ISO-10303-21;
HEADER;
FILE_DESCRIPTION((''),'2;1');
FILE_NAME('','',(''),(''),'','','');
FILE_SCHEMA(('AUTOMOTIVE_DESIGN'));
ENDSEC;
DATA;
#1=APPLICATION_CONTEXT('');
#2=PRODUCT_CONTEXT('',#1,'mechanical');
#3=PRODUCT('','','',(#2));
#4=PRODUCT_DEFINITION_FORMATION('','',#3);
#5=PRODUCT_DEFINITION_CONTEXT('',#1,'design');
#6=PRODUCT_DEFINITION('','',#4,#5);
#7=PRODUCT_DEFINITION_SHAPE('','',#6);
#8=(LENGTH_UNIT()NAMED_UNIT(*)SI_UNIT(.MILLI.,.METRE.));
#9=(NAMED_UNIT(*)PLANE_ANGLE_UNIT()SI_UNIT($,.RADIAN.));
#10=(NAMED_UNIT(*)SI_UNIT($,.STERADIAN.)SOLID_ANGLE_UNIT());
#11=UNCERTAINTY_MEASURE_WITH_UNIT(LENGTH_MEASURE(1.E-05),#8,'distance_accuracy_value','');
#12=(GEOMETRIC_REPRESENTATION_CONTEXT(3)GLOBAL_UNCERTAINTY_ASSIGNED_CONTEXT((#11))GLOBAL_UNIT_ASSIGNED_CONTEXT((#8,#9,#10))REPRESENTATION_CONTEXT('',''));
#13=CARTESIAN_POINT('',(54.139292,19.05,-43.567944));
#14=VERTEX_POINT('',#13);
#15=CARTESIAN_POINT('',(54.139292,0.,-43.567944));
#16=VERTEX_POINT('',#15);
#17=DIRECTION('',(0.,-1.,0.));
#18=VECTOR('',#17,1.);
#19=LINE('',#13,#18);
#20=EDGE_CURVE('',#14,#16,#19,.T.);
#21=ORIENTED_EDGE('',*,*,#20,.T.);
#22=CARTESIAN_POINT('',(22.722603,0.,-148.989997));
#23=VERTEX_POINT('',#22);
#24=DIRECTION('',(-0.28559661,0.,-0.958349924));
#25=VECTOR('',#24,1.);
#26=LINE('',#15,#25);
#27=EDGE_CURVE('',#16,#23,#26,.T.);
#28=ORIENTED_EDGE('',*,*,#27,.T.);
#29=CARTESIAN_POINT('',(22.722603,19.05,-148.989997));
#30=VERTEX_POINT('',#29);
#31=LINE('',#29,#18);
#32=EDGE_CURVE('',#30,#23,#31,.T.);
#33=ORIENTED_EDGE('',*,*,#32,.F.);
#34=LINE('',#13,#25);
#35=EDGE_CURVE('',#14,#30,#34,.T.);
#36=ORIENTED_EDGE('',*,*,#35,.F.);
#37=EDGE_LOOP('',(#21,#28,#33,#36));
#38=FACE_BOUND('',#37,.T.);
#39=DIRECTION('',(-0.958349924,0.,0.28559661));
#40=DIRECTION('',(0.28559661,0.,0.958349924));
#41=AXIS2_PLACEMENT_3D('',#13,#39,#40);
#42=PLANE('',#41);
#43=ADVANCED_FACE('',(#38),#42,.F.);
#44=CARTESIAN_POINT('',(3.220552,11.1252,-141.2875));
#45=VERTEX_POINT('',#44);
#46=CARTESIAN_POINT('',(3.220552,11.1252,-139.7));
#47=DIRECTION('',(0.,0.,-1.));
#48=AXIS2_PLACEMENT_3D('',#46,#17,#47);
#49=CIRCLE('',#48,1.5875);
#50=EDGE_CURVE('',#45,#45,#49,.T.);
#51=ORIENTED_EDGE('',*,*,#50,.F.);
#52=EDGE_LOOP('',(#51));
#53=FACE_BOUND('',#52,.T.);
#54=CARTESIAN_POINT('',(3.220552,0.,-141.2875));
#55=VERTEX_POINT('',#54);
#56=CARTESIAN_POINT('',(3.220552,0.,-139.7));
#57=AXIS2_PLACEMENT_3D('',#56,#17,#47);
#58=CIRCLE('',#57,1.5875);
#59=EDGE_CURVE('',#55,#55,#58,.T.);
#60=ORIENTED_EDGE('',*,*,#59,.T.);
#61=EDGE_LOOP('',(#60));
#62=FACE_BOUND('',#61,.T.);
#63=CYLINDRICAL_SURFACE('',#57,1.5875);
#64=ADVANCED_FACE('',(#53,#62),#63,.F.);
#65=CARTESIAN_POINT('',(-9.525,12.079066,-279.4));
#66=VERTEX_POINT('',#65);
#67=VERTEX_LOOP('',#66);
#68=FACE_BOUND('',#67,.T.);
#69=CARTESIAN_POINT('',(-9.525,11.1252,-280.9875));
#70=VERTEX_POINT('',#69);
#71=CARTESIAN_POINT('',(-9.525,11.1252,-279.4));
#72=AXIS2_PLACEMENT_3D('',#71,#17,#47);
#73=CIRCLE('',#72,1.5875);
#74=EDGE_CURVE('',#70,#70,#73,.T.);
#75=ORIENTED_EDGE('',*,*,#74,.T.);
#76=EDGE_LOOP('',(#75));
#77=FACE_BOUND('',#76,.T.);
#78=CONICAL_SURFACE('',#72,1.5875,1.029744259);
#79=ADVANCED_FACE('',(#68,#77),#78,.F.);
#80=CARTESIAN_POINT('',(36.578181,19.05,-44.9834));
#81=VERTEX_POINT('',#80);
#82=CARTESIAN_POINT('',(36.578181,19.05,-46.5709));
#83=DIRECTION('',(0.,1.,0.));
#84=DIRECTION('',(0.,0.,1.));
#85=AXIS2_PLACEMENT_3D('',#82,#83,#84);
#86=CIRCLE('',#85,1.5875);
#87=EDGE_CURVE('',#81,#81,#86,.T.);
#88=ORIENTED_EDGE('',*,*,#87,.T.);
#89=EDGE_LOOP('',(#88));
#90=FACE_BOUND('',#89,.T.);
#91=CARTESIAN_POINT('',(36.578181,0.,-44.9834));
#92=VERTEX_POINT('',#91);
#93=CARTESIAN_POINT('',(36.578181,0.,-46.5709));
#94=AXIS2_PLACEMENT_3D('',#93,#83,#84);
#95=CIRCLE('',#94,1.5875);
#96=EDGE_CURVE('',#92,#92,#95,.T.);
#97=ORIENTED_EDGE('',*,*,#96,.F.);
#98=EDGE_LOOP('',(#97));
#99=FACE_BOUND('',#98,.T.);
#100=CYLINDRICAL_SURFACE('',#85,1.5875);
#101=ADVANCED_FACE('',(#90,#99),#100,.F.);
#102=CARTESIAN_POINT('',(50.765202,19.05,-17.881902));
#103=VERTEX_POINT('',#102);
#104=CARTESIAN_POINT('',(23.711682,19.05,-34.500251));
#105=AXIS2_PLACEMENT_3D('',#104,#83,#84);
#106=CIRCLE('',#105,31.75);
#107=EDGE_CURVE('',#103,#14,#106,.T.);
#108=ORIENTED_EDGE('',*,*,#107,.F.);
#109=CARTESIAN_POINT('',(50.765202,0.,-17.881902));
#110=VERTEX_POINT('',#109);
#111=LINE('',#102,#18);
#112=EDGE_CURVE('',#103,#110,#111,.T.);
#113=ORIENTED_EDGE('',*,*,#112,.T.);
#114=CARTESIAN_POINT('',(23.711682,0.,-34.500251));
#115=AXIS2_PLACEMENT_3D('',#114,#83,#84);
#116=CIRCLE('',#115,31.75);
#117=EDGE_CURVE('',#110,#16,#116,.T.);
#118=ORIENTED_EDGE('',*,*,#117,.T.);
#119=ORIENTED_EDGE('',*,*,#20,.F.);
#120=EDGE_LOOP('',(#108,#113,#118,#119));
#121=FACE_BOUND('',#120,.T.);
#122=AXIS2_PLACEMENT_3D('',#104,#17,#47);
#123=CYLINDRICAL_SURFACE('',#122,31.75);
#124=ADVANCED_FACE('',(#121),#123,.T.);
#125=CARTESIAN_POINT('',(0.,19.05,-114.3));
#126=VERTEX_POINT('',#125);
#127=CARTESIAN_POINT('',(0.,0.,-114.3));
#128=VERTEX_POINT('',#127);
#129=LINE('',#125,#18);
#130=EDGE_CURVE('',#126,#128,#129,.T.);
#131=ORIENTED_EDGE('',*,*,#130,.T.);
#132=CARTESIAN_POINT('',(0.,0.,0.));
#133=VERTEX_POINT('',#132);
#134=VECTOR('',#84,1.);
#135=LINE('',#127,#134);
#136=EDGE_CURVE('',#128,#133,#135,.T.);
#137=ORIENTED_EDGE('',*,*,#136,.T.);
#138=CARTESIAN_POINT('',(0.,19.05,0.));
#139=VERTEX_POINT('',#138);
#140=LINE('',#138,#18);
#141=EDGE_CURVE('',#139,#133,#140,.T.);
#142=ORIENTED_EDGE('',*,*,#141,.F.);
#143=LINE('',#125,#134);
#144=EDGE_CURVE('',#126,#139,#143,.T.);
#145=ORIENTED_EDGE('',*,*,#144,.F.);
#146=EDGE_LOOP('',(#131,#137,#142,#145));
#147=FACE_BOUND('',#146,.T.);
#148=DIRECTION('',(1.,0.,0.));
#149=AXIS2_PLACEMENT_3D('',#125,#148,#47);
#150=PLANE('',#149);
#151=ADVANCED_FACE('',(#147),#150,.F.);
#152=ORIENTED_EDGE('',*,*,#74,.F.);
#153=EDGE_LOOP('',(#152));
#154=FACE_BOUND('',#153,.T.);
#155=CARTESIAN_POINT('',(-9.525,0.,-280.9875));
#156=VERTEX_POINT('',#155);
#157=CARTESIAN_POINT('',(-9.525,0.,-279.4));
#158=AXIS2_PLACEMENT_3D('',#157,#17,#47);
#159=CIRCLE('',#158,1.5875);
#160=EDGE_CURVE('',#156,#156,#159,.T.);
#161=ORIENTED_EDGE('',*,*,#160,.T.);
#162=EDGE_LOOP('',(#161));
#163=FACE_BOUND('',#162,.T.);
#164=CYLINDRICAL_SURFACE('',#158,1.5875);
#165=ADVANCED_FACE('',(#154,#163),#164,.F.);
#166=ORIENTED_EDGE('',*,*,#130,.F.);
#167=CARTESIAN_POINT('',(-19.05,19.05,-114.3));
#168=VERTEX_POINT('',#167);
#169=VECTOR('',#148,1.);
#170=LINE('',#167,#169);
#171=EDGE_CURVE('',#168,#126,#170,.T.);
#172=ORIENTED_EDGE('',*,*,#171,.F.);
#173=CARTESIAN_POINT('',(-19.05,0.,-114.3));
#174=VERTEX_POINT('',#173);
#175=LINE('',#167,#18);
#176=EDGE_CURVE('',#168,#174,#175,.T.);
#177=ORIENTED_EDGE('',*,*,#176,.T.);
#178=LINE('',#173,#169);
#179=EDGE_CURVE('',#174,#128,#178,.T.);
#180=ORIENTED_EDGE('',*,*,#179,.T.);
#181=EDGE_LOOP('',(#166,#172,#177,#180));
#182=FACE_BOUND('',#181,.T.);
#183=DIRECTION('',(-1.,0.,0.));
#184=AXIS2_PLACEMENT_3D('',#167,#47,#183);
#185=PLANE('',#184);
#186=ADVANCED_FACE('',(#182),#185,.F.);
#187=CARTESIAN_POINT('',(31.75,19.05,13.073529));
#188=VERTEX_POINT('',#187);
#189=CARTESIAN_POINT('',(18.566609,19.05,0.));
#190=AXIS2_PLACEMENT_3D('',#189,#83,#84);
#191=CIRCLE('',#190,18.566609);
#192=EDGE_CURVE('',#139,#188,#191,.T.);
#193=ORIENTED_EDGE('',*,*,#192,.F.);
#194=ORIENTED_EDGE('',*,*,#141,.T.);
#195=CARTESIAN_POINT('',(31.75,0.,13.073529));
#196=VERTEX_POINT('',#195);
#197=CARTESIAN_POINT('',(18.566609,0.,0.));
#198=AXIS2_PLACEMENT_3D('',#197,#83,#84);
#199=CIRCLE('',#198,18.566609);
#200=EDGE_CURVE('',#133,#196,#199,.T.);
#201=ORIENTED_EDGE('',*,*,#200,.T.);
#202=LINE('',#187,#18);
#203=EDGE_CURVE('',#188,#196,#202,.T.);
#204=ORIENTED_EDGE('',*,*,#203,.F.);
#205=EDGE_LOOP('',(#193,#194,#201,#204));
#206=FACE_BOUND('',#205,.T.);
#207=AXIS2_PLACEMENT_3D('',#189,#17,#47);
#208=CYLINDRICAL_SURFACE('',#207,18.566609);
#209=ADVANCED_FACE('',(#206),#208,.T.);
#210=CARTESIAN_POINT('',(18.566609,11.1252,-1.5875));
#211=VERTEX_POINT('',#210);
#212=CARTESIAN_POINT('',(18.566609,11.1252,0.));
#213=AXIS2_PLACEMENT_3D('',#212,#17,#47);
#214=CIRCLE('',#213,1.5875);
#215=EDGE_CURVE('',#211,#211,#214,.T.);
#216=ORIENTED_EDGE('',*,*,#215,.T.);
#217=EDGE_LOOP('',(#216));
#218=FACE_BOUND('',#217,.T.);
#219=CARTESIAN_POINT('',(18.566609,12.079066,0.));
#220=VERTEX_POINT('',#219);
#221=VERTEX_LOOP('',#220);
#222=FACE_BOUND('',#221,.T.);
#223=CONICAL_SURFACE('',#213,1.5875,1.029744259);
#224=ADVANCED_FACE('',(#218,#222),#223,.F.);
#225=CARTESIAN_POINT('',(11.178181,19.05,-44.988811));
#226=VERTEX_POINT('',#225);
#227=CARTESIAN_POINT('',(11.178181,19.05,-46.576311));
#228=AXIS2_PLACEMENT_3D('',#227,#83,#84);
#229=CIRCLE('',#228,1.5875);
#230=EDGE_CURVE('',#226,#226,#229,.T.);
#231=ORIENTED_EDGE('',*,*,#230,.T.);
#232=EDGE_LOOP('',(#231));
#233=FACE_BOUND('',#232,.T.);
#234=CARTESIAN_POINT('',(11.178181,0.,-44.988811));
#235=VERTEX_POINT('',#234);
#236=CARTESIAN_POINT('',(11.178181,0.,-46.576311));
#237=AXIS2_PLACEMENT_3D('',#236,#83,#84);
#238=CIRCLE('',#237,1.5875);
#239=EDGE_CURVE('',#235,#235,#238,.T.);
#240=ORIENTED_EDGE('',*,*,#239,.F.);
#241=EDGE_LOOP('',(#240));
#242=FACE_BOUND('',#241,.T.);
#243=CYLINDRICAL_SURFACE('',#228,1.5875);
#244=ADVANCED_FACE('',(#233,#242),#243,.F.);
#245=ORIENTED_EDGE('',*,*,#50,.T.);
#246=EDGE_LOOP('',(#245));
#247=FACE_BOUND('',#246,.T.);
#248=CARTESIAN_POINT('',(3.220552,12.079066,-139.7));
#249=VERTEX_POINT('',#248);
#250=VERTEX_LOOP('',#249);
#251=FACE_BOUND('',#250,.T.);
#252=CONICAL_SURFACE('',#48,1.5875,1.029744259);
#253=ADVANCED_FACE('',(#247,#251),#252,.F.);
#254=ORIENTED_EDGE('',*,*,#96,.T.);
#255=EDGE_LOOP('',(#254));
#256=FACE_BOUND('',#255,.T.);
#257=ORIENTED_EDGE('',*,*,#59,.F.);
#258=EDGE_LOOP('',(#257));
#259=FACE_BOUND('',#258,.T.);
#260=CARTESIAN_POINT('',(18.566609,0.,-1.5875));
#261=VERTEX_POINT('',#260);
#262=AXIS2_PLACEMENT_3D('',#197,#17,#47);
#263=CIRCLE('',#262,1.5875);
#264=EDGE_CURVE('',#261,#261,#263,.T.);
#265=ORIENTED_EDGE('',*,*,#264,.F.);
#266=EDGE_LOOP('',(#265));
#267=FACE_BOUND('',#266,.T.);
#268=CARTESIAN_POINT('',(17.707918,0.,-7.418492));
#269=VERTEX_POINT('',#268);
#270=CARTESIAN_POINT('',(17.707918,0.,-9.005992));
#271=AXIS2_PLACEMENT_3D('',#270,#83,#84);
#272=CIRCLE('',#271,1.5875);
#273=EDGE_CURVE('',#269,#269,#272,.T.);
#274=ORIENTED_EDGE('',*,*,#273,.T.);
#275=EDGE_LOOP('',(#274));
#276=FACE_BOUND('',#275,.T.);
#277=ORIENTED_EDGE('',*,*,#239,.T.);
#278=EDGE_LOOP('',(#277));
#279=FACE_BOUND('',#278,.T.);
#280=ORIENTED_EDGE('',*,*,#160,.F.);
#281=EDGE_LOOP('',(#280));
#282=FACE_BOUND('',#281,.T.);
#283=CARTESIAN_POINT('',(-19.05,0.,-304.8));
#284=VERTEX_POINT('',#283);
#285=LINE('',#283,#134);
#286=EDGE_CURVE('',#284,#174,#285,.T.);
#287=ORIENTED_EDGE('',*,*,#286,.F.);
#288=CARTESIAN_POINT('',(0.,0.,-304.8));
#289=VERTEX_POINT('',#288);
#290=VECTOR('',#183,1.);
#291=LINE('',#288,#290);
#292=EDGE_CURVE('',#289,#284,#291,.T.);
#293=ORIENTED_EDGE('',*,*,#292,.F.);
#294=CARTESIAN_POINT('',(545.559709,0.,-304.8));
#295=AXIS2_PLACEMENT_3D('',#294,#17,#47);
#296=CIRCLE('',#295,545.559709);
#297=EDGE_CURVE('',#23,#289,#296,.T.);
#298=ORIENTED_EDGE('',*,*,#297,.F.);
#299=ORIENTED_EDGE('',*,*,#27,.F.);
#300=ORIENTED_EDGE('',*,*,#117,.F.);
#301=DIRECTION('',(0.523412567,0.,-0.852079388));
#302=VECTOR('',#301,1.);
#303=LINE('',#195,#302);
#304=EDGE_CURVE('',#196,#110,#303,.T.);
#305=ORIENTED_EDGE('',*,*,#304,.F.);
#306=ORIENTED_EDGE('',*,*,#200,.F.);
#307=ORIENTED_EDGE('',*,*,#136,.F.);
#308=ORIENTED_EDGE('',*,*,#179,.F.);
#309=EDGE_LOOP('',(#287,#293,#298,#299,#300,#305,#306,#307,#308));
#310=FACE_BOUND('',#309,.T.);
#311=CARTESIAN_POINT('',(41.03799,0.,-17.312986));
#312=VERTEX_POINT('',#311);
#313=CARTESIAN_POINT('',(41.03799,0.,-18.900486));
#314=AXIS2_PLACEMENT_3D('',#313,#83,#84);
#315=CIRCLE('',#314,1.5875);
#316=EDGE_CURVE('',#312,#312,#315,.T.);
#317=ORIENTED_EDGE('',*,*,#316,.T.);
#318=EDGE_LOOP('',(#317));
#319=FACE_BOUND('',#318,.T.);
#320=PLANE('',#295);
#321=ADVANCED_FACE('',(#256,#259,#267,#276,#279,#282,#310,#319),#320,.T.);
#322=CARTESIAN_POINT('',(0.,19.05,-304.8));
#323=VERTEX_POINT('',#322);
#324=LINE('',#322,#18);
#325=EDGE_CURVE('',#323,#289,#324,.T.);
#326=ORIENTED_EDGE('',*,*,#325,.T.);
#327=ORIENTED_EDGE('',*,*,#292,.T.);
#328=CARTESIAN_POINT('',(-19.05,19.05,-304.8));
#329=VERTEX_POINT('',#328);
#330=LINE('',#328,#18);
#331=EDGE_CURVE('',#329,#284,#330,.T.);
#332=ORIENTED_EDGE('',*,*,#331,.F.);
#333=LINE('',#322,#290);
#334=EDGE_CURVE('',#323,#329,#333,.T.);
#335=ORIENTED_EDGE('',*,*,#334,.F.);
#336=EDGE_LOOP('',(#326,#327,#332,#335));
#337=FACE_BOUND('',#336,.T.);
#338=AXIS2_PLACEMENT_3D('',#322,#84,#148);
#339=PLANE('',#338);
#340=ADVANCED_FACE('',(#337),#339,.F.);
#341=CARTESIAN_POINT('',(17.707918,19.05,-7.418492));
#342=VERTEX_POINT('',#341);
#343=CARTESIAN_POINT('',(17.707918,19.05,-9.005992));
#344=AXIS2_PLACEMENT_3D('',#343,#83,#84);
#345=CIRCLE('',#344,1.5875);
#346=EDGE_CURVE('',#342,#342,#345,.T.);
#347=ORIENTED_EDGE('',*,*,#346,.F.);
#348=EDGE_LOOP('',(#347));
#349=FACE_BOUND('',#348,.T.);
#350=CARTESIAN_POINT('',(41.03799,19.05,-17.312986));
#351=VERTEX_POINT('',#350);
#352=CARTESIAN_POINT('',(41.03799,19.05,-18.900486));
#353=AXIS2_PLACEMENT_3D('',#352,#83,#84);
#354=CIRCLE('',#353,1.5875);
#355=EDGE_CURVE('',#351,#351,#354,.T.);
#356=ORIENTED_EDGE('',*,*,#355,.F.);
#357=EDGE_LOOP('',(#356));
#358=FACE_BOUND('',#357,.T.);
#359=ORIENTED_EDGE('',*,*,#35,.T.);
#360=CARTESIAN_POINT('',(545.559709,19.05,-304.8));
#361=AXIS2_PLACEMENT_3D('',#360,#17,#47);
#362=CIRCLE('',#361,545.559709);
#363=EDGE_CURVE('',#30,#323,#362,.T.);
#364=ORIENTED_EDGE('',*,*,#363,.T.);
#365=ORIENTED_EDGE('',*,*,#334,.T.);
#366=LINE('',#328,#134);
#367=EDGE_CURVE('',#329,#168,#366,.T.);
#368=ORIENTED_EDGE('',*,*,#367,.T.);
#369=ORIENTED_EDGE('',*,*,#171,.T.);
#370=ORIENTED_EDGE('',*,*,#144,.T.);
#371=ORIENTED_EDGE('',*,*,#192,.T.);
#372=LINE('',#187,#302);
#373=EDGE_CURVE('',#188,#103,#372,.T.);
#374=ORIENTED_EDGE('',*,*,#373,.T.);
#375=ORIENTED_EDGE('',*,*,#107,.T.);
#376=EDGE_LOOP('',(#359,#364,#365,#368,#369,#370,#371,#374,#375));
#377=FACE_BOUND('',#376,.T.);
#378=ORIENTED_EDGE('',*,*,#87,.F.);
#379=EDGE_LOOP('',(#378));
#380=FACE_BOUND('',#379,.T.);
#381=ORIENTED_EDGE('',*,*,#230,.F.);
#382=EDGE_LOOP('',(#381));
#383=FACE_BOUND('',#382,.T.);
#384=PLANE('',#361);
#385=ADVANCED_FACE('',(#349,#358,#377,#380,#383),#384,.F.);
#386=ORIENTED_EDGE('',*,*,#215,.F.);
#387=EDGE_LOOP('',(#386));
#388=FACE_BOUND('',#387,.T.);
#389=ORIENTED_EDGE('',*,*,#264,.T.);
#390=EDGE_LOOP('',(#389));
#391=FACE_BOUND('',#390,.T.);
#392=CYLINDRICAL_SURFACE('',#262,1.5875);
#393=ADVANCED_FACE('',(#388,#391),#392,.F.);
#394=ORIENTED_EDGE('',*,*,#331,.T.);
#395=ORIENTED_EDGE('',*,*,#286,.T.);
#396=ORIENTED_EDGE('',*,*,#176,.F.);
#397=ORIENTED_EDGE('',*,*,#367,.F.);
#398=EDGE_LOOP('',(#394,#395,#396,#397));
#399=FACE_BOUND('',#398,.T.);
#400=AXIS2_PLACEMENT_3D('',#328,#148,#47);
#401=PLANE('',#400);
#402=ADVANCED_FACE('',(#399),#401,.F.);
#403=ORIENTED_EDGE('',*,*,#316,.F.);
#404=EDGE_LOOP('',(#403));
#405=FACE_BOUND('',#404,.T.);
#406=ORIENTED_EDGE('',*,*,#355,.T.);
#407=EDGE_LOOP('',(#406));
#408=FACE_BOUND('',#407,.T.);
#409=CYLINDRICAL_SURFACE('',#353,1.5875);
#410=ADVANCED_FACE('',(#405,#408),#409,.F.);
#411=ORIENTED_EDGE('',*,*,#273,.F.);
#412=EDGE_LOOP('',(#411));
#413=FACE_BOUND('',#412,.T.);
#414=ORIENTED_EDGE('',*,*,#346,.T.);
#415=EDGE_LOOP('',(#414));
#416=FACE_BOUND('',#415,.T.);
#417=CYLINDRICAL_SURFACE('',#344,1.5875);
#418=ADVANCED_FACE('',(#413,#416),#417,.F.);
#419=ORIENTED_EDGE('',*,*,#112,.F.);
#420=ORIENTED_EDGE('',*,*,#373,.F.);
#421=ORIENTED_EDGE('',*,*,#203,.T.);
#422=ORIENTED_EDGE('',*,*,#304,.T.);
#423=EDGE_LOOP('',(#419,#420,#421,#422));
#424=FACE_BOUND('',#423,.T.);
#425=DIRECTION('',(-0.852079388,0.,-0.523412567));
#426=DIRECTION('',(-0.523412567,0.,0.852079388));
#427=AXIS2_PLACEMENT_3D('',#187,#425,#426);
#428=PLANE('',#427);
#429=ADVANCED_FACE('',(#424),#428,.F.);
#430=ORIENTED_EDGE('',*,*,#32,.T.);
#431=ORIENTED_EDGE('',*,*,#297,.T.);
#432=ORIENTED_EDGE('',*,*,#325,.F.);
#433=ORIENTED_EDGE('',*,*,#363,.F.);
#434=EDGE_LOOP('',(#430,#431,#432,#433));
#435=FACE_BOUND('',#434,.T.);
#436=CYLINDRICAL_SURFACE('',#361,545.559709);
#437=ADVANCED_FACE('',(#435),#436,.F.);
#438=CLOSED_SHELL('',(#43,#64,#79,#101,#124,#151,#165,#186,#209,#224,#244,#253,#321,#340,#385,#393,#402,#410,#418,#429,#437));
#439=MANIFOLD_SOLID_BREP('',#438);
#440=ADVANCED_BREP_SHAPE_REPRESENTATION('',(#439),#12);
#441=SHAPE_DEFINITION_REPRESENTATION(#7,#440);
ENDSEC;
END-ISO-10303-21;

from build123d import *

# Parameters (mm, degrees)
BOSS_EXTRUDE1_DEPTH              = 19.05
F_1_8_0_125_DIAMETER_HOLE1_D     = 3.175
F_1_8_0_125_DIAMETER_HOLE1_DEPTH = 11.1252
F_1_8_0_125_DIAMETER_HOLE1_TIP   = 0.953866233
F_1_8_0_125_DIAMETER_HOLE2_D     = 3.175


with BuildPart() as part:
    # Sketch1 → Boss-Extrude1 (new body)
    with BuildSketch(Plane(origin=(0, 0, 0), x_dir=(1, 0, 0), z_dir=(0, 1, 0))):
        with BuildLine():
            Line((31.75, -13.073529412), (50.765202328, 17.881902266))
            ThreePointArc((50.765202328, 17.881902266), (55.191250928, 30.365130488), (54.139291827, 43.567943639))
            Line((54.139291827, 43.567943639), (22.722603429, 148.989996692))
            ThreePointArc((22.722603429, 148.989996692), (5.710537817, 226.070917322), (0, 304.8))
            Line((0, 304.8), (-19.05, 304.8))
            Line((-19.05, 304.8), (-19.05, 114.3))
            Line((-19.05, 114.3), (0, 114.3))
            Line((0, 114.3), (0, 0))
            ThreePointArc((0, 0), (11.497376237, -17.168136702), (31.75, -13.073529412))
        make_face()
    extrude(amount=BOSS_EXTRUDE1_DEPTH)

    # 1/8 (0.125) Diameter Hole1
    with Locations(Plane(origin=(0, 0, 0), x_dir=(-1, 0, 0), z_dir=(0, -1, 0))):
        with Locations((-3.220551607, 139.7), (-18.566608997, 0), (9.525, 279.4)):
            Hole(F_1_8_0_125_DIAMETER_HOLE1_D / 2, depth=F_1_8_0_125_DIAMETER_HOLE1_DEPTH)
            with Locations((0, 0, -(F_1_8_0_125_DIAMETER_HOLE1_DEPTH + F_1_8_0_125_DIAMETER_HOLE1_TIP / 2))):  # 118° drill point
                Cone(0, F_1_8_0_125_DIAMETER_HOLE1_D / 2, F_1_8_0_125_DIAMETER_HOLE1_TIP, mode=Mode.SUBTRACT)

    # 1/8 (0.125) Diameter Hole2 (through all)
    with Locations(Plane(origin=(0, 19.05, 0), x_dir=(1, 0, 0), z_dir=(0, 1, 0))):
        with Locations((36.578180871, 46.570899758), (11.178180871, 46.576310918), (17.707917982, 9.005992113), (41.037990009, 18.900486467)):
            Hole(F_1_8_0_125_DIAMETER_HOLE2_D / 2)


solid = part.part
